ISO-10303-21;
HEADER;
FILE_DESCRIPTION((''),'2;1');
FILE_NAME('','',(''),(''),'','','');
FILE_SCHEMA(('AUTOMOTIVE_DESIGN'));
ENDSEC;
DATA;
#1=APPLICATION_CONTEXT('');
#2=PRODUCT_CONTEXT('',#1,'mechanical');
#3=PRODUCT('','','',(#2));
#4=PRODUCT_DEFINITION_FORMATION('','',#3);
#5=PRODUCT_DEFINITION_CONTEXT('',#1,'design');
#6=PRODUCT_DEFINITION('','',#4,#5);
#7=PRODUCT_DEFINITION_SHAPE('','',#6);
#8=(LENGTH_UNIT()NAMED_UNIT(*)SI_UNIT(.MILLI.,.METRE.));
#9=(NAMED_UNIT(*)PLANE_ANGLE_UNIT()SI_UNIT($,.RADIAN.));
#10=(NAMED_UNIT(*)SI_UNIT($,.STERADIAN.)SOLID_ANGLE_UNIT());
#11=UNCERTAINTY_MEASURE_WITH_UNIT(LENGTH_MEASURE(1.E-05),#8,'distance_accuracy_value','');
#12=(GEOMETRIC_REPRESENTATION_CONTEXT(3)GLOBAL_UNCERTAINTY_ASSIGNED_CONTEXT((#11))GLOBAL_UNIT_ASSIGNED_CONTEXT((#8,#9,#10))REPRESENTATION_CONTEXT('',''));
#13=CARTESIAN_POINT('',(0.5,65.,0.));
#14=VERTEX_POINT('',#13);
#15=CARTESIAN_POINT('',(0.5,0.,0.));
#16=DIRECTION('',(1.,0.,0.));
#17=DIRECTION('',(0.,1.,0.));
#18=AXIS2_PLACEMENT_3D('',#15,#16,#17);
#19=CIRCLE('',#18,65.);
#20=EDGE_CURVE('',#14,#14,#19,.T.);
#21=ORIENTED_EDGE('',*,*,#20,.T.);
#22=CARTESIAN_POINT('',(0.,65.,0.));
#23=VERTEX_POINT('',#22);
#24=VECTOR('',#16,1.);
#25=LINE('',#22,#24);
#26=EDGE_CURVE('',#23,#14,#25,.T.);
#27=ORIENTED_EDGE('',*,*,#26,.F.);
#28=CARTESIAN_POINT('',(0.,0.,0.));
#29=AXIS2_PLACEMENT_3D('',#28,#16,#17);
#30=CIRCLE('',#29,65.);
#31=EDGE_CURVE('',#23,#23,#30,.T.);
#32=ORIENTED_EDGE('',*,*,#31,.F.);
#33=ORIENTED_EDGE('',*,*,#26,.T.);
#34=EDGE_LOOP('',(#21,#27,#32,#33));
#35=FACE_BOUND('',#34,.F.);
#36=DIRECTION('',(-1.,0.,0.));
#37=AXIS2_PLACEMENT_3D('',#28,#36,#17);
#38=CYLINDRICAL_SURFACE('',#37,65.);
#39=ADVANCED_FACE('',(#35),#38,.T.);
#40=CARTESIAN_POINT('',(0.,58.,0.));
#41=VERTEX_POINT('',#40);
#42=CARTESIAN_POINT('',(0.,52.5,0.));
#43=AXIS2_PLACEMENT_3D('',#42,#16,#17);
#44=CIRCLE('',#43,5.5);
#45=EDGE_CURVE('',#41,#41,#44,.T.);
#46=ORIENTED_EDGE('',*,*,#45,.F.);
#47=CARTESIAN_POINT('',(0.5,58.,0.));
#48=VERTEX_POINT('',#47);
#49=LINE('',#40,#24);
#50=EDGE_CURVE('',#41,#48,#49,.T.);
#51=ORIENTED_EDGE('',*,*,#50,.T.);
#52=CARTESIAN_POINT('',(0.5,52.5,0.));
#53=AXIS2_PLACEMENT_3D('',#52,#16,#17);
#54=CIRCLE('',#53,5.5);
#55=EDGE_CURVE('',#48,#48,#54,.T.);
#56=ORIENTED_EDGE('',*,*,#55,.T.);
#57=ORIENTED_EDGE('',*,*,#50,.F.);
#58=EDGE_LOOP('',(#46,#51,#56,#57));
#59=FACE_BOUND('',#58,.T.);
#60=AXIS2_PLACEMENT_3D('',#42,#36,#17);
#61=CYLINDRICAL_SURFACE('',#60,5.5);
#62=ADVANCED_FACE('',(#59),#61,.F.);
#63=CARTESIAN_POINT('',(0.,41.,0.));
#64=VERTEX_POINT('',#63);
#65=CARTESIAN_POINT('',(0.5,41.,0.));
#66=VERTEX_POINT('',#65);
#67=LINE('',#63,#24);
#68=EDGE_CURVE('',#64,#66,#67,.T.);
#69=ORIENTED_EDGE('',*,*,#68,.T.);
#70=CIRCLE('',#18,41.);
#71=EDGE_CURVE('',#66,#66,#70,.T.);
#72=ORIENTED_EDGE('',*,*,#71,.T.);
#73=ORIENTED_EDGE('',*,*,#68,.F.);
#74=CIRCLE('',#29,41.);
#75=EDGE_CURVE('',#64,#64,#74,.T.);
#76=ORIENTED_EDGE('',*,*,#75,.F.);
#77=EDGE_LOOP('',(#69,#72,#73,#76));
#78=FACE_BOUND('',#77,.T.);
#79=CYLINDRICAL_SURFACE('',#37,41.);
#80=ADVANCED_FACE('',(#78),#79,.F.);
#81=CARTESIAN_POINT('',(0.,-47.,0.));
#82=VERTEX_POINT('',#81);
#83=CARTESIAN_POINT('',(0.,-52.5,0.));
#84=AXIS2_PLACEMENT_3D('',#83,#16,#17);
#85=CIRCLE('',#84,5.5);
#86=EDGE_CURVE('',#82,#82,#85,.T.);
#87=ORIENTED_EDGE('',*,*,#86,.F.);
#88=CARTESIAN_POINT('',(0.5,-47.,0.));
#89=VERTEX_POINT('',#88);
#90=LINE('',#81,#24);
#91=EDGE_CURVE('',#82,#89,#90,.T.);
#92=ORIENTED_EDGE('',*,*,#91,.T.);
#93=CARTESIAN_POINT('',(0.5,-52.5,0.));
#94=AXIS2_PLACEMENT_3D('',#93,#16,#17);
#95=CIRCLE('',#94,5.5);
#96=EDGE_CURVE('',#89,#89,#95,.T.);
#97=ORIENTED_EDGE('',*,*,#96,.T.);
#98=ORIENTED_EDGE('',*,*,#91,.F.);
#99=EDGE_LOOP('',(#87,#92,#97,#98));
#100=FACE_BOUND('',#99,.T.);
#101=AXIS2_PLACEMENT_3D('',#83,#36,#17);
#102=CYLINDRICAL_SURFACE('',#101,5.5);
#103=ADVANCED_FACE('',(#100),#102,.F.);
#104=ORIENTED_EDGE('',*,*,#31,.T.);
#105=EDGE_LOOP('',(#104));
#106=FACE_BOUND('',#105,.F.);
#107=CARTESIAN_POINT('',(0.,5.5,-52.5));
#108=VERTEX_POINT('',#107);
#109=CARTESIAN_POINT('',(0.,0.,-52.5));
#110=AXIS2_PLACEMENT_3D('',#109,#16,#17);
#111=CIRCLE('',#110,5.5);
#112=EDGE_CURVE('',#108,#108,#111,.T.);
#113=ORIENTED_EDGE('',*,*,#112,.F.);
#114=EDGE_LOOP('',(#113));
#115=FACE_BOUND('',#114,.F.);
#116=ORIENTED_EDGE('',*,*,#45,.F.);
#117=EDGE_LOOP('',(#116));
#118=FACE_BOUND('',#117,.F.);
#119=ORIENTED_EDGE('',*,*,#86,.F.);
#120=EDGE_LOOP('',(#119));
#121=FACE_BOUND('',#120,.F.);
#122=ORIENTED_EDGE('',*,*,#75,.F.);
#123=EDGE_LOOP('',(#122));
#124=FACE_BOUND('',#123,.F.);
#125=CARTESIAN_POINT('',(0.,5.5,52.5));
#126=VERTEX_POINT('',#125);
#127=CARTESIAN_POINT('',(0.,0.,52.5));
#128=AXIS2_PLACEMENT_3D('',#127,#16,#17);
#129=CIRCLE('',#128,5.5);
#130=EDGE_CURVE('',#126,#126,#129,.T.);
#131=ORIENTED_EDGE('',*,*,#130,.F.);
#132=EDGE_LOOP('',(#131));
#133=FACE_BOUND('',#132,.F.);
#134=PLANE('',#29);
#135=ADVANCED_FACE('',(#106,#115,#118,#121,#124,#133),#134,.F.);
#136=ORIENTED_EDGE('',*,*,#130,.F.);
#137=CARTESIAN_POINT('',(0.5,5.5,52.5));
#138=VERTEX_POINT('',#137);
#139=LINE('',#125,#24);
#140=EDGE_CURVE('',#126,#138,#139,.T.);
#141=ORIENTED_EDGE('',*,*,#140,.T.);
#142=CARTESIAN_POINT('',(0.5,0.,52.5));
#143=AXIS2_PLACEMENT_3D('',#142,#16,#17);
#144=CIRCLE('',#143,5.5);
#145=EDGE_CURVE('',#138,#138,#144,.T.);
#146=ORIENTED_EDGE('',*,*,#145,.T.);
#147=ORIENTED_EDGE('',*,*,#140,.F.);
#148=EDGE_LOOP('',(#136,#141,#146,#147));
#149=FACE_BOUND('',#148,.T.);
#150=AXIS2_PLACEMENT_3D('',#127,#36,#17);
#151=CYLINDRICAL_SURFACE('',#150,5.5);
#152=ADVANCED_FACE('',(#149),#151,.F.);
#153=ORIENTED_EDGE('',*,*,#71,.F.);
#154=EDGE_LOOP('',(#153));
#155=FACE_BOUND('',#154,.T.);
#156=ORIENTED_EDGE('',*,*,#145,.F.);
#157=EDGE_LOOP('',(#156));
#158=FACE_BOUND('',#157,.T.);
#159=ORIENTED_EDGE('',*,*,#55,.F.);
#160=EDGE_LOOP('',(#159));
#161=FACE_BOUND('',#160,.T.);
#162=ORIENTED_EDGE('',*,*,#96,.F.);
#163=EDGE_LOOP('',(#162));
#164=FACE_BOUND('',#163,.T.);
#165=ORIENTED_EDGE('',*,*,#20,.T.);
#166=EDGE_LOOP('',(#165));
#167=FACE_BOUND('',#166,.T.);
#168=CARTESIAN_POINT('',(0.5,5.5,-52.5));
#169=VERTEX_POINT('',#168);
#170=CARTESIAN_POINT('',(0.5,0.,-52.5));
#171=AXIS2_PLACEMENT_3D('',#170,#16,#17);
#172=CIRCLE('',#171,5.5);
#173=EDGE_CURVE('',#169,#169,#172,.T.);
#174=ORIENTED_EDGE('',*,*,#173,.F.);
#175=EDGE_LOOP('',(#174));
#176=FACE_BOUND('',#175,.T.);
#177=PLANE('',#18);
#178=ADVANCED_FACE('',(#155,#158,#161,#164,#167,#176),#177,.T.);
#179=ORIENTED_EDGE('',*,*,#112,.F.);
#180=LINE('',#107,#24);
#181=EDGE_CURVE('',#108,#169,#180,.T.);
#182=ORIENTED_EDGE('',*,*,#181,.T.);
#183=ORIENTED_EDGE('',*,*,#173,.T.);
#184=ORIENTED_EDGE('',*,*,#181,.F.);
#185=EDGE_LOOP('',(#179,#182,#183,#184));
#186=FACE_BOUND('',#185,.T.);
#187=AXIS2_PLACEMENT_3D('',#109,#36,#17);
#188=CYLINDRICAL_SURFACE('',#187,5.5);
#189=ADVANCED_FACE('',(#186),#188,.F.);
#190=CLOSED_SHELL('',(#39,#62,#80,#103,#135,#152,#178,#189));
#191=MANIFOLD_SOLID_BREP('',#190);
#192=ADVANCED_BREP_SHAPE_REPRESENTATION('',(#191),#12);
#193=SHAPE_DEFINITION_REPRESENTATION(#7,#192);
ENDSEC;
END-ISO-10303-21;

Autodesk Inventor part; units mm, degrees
ref_plane "YZ Plane" through (0, 0, 0) normal (1, 0, 0) x (0, 1, 0)
ref_plane "XZ Plane" through (0, 0, 0) normal (0, 1, 0) x (-1, 0, 0)
ref_plane "XY Plane" through (0, 0, 0) normal (0, 0, 1) x (1, 0, 0)
sketch "草图1" plane through (0, 0, 0) normal (1, 0, 0) x (0, 1, 0)
  circle A0 centre (0, 0) radius 65
  circle A1 centre (0, 0) radius 41
  circle A2 centre (52.5, 0) radius 5.5
  circle A3 centre (0, 52.5) radius 5.5
  circle A4 centre (-52.5, 0) radius 5.5
  circle A5 centre (0, -52.5) radius 5.5
  dimension "d1" = 130
  dimension "d3" = 82
  dimension "d4" = 11
  dimension "d5" = 52.5
  dimension "d8" = 360
extrude "拉伸1" add sketch "草图1" along normal blind 0.5
equation "\"d1\" = D2"
equation "\"d3\" = d2"
equation "\"d4\" = d0"
equation "\"d5\" = 0.5 * D0"
equation "\"d10\" = b"
equation "\"b\" = 0.5"
equation "\"d0\" = 11"
equation "\"D0\" = 105"
equation "\"d2\" = 82"
equation "\"D2\" = 130"
properties part number "低速轴承调整垫片" material "铜，锻铸"
